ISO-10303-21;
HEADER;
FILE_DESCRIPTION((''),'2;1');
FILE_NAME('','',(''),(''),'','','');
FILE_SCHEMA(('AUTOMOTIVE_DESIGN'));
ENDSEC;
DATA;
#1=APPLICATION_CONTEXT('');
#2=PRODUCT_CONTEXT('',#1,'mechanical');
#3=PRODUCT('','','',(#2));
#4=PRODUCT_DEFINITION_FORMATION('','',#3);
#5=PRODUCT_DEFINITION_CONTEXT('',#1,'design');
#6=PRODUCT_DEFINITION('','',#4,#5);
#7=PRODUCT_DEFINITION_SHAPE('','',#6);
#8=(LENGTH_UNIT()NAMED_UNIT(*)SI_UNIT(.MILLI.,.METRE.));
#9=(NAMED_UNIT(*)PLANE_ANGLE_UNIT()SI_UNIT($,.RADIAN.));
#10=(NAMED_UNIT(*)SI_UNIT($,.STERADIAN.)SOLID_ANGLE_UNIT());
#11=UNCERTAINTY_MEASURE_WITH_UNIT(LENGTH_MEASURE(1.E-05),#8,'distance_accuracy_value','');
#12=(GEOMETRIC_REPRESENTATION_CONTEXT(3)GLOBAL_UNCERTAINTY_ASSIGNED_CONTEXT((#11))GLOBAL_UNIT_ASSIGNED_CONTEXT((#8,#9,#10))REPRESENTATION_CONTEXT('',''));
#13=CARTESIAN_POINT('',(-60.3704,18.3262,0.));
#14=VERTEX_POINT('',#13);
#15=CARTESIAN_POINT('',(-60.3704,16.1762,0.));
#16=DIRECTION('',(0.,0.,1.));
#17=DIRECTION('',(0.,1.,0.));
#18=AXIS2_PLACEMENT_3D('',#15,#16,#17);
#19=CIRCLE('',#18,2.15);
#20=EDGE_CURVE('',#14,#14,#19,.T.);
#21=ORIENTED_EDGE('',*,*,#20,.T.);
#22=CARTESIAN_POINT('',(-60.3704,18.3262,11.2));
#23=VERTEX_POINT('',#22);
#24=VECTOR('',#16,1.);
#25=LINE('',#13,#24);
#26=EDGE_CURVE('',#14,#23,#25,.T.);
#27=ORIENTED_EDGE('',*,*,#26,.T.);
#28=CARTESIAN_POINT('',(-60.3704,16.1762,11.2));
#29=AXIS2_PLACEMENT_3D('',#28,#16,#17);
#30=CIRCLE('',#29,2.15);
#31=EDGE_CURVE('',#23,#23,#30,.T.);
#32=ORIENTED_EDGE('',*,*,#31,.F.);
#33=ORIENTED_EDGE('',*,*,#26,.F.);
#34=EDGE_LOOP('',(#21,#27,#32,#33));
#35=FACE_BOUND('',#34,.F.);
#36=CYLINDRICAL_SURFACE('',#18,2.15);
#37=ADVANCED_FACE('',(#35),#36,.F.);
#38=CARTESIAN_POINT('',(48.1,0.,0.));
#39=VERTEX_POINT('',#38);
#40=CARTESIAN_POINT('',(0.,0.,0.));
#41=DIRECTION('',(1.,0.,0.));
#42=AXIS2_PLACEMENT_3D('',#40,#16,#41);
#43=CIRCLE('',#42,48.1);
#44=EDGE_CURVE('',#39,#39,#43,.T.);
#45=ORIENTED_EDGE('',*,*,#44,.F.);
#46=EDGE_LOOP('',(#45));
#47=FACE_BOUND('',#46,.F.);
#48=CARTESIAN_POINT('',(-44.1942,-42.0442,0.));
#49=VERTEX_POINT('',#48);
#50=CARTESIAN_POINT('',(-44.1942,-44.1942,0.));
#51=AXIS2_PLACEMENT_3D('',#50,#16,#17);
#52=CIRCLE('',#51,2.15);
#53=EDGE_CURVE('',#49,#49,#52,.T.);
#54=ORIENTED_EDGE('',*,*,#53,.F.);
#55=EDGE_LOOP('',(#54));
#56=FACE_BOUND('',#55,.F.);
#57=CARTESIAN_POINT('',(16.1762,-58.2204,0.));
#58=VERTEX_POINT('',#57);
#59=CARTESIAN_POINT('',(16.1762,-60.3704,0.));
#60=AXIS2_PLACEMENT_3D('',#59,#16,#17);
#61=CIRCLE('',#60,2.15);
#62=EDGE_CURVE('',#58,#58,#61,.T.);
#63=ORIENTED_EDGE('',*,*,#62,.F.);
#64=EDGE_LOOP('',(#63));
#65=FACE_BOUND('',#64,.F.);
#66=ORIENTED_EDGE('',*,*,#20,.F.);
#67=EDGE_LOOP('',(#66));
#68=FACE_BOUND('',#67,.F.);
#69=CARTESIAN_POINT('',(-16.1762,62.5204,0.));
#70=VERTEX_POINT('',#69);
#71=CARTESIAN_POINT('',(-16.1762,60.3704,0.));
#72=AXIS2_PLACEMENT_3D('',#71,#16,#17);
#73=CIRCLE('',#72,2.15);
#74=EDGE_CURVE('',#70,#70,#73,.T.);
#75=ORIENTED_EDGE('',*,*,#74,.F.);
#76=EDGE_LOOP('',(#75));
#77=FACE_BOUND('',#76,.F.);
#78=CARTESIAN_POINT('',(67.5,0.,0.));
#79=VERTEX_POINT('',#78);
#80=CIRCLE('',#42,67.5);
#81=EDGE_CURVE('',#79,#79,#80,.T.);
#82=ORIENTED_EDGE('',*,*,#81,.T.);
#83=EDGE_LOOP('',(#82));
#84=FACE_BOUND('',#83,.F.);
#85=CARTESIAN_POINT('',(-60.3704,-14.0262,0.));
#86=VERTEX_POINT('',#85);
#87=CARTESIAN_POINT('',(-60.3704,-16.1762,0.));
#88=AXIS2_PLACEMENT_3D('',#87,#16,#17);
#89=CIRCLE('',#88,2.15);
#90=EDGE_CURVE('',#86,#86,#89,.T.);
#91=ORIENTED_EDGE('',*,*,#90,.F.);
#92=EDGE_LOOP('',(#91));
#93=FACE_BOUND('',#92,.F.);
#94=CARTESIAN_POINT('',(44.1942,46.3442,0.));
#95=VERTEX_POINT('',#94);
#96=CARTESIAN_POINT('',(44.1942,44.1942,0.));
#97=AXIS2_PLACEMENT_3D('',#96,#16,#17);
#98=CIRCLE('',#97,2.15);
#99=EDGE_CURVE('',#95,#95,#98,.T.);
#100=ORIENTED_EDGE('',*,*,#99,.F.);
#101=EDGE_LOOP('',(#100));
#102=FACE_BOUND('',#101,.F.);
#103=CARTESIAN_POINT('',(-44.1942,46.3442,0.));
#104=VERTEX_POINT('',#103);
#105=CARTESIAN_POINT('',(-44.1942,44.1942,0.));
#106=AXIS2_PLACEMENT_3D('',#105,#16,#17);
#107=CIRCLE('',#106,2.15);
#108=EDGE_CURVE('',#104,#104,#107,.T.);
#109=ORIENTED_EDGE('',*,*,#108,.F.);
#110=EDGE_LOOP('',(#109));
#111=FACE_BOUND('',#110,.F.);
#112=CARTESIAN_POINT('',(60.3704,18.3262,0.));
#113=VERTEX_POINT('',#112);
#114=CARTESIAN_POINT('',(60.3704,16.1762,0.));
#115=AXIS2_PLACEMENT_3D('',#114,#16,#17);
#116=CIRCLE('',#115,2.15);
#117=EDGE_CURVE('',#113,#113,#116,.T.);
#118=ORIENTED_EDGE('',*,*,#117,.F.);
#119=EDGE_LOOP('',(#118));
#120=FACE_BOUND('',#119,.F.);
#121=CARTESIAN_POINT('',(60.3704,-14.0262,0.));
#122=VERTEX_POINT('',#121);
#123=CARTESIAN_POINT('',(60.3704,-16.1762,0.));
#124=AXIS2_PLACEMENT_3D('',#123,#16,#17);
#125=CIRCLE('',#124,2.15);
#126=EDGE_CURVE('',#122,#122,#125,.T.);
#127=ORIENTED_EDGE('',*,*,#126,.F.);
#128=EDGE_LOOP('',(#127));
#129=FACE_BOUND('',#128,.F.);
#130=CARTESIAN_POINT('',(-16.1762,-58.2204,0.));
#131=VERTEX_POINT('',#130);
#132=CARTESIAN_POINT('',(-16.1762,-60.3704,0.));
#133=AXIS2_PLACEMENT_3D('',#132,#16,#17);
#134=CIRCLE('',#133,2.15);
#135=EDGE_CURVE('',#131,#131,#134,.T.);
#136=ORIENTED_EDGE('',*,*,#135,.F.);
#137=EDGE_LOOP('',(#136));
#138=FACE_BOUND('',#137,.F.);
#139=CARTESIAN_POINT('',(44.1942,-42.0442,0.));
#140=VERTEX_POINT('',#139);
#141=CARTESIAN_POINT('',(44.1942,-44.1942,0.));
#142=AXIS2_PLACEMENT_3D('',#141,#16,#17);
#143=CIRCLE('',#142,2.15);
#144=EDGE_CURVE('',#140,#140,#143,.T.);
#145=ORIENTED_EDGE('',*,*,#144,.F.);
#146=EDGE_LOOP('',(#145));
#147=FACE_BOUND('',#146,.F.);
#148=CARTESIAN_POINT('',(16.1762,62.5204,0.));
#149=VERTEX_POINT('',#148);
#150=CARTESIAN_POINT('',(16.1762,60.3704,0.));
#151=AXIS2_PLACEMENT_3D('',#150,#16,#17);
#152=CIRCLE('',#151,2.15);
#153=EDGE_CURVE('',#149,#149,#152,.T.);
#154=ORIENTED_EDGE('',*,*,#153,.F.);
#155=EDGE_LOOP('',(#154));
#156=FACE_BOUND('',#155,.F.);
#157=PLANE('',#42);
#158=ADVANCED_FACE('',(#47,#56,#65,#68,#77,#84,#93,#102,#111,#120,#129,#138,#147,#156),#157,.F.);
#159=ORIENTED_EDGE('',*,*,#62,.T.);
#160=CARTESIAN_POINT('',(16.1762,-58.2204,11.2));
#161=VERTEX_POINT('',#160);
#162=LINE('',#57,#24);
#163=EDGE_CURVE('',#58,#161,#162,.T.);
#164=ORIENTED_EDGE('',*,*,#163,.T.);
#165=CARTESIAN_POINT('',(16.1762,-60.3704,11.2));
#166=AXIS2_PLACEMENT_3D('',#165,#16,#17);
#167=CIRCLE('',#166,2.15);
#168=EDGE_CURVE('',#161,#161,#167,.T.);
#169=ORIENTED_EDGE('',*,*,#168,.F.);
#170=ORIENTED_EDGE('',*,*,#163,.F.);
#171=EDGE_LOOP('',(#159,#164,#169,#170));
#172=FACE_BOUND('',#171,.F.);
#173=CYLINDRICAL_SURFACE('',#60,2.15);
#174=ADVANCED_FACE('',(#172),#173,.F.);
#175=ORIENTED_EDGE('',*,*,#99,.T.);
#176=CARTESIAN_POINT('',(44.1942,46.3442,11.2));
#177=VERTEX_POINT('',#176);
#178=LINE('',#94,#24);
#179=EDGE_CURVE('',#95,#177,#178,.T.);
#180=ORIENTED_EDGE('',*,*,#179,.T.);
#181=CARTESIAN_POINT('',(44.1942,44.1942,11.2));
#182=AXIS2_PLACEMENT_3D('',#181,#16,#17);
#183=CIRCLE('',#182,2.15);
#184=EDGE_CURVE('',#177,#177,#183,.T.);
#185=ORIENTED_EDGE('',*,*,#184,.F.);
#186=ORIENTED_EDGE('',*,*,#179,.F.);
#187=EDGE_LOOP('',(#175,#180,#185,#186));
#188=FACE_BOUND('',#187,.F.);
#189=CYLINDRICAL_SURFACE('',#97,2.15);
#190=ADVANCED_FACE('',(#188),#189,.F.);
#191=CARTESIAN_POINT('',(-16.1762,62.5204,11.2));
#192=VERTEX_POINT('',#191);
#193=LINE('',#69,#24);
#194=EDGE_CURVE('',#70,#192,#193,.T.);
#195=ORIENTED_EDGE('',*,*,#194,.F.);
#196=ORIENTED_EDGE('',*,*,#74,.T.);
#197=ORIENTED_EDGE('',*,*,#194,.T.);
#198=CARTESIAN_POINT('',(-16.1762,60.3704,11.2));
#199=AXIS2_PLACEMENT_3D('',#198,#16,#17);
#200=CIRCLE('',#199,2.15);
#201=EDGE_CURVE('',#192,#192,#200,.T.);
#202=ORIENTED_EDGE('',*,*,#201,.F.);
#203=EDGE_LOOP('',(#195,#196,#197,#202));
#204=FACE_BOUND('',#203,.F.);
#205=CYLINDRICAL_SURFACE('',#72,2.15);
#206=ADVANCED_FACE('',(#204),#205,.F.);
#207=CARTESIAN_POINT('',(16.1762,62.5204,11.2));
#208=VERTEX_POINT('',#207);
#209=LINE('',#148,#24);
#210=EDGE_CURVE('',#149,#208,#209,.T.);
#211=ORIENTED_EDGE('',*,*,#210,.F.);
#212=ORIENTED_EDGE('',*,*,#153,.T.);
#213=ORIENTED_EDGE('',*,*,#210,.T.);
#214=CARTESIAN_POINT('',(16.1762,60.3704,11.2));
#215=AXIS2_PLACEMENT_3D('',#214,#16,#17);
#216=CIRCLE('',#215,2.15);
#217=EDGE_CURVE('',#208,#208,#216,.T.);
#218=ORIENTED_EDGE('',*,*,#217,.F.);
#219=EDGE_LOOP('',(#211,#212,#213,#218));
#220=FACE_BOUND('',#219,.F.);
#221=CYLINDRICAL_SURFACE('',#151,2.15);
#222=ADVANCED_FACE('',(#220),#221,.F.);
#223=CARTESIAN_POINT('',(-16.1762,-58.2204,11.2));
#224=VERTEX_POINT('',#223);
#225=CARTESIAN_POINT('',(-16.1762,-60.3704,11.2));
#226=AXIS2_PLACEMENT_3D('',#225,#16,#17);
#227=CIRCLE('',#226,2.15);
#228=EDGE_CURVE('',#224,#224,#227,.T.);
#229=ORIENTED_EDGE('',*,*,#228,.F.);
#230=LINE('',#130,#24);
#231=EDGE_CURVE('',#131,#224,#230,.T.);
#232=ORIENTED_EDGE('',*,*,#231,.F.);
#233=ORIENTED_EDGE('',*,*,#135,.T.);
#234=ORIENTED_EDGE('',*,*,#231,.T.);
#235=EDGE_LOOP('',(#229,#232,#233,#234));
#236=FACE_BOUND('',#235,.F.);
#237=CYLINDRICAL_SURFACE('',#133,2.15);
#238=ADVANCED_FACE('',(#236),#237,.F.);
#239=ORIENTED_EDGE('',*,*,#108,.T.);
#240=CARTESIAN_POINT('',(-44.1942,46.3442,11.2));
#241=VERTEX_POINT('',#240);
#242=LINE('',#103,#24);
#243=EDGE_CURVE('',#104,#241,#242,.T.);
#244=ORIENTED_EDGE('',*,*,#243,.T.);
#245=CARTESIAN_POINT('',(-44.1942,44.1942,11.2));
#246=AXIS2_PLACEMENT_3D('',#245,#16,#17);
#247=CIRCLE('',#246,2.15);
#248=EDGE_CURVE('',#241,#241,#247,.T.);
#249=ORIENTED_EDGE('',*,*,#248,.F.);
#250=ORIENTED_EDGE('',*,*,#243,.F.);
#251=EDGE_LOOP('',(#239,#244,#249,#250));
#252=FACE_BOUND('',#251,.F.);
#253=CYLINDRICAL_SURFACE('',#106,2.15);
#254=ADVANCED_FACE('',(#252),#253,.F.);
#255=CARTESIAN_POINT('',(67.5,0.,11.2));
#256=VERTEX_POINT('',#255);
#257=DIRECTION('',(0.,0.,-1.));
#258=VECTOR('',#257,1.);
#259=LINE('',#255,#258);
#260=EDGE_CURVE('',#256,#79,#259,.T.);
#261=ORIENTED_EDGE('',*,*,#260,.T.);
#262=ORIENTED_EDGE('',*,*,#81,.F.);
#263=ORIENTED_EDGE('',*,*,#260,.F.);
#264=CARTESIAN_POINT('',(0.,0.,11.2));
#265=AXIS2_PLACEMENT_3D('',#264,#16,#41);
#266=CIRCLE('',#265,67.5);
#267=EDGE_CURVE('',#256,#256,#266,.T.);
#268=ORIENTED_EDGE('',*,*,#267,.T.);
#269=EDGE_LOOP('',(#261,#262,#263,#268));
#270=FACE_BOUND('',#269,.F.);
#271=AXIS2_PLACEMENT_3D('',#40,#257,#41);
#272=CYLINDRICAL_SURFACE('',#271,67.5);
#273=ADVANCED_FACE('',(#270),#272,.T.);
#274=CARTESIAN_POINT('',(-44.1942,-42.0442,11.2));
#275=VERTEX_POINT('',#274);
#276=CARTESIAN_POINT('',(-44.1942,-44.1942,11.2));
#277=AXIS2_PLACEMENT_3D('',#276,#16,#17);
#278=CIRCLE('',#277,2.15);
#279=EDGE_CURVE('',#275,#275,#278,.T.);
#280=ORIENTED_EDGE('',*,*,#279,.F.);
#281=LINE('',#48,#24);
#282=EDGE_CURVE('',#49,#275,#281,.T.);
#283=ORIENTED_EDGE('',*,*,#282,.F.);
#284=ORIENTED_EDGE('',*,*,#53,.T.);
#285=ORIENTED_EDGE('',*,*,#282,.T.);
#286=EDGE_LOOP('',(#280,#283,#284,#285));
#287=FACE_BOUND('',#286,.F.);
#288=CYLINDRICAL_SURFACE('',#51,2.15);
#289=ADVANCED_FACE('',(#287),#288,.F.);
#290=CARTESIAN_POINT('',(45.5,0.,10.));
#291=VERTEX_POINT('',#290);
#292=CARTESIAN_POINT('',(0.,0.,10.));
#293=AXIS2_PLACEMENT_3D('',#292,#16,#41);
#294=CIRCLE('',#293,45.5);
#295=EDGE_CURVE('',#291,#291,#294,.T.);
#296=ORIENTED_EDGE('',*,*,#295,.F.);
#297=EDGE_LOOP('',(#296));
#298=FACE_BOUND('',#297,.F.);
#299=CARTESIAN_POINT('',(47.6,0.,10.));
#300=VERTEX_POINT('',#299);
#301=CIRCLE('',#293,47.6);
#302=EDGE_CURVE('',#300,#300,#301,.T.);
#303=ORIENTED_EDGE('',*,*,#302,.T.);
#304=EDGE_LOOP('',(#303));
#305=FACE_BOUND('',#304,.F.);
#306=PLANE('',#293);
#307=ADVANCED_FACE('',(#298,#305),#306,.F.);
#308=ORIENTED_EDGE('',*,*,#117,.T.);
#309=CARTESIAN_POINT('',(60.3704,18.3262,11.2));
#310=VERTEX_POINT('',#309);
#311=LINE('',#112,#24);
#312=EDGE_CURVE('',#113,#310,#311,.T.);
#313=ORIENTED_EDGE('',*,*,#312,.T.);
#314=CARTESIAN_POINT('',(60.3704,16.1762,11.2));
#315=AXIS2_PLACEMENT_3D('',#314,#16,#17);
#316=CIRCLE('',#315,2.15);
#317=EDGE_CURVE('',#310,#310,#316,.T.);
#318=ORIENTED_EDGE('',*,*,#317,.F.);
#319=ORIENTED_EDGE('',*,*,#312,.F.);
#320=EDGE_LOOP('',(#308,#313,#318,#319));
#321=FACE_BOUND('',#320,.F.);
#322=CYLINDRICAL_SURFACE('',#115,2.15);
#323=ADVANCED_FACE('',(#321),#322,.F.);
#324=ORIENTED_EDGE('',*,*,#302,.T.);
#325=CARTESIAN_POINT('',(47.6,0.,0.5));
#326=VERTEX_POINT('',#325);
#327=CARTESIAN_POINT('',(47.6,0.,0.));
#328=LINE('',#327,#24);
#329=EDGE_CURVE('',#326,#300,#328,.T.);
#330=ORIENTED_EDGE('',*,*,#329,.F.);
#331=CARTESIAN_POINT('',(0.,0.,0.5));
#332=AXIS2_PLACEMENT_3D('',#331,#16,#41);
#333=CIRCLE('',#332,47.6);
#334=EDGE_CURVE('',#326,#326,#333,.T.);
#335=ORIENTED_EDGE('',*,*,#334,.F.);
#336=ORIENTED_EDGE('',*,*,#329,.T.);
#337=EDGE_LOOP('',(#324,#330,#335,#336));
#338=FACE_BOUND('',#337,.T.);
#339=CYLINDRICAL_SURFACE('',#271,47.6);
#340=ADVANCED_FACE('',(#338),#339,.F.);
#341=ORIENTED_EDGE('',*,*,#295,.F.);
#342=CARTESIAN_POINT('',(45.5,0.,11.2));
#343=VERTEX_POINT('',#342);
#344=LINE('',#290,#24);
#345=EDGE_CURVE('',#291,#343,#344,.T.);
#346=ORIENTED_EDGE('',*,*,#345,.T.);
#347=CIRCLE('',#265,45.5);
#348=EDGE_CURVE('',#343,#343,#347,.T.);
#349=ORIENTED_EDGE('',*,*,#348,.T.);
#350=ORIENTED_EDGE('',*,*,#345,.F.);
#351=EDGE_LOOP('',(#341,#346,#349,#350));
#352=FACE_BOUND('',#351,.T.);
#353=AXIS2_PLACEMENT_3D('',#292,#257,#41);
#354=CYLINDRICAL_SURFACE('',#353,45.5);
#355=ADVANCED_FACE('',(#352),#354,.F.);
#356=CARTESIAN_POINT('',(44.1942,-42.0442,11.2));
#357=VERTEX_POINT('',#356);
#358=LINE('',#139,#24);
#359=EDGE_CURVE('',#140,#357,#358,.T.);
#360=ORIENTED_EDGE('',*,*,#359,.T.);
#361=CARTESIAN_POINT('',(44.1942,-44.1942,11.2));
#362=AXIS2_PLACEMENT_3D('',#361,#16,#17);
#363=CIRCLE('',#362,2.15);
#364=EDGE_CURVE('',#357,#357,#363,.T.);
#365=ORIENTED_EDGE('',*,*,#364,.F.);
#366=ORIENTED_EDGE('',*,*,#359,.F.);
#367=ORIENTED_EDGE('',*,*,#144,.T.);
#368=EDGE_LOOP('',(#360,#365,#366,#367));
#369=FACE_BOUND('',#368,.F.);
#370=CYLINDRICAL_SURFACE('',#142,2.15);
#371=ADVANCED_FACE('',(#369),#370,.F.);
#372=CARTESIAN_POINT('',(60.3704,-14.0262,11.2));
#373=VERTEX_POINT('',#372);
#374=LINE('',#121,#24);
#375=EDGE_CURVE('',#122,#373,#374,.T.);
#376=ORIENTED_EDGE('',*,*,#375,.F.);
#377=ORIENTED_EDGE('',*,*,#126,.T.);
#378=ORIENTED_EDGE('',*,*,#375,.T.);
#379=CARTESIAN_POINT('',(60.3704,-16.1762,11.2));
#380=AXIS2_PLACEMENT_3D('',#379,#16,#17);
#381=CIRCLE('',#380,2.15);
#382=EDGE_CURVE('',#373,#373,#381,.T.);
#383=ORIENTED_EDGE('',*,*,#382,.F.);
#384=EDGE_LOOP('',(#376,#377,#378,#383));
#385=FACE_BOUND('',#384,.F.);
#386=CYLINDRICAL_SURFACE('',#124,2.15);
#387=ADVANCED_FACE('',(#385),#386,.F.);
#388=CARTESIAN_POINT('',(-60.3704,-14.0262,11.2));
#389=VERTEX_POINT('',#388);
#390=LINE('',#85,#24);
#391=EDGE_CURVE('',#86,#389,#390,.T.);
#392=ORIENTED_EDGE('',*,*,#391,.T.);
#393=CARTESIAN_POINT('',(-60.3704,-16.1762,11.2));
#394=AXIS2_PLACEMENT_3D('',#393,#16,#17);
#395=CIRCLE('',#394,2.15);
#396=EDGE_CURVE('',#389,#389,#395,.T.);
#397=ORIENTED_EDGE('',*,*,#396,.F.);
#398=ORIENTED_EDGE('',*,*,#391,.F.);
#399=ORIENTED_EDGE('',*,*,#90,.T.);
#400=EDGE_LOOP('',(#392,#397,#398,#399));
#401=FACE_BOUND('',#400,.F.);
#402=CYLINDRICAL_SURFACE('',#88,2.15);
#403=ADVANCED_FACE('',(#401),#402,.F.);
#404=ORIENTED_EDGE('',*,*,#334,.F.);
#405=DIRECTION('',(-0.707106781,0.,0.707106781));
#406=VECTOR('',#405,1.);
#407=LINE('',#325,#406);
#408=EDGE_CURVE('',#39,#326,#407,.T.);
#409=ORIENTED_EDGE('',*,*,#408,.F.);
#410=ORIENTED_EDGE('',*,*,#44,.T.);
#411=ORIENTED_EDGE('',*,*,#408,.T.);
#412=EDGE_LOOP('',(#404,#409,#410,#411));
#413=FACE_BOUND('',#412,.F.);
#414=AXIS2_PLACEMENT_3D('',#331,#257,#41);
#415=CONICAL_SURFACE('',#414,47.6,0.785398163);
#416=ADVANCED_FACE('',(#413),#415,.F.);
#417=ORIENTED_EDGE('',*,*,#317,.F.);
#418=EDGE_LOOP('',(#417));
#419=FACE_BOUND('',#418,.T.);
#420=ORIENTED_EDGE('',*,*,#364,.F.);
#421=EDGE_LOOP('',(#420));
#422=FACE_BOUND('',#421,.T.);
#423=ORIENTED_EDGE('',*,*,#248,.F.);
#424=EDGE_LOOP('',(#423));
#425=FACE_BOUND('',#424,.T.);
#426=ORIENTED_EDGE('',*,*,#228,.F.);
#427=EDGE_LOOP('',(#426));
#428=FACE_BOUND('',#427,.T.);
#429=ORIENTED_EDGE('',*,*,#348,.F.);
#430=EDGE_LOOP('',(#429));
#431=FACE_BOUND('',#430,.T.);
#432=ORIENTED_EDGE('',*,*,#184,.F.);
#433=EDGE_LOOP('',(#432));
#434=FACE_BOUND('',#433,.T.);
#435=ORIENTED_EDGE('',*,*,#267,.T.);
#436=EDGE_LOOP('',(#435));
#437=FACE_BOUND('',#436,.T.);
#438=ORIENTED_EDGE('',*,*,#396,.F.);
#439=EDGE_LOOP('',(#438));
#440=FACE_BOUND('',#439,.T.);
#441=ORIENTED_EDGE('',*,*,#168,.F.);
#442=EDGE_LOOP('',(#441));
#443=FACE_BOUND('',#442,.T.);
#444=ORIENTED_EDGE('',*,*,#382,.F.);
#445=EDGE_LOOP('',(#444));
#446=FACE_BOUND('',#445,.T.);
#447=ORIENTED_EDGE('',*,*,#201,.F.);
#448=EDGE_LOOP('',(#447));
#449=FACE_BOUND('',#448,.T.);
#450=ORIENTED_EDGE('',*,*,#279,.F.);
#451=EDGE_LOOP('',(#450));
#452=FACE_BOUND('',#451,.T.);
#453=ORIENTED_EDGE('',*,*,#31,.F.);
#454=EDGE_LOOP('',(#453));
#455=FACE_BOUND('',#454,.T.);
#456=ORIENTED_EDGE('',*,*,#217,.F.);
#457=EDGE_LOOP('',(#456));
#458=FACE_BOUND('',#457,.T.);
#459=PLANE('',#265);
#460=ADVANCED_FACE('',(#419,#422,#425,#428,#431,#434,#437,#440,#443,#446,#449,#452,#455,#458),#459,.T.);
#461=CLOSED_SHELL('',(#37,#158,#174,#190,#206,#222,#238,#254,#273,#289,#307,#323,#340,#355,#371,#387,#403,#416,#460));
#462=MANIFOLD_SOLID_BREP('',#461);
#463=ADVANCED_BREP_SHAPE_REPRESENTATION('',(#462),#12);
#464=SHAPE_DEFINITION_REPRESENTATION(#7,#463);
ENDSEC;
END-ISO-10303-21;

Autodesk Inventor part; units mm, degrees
ref_plane "YZ Plane" through (0, 0, 0) normal (1, 0, 0) x (0, 1, 0)
ref_plane "XZ Plane" through (0, 0, 0) normal (0, 1, 0) x (-1, 0, 0)
ref_plane "XY Plane" through (0, 0, 0) normal (0, 0, 1) x (1, 0, 0)
sketch "スケッチ1" plane through (0, 0, 0) normal (0, 0, 1) x (1, 0, 0)
  circle A0 centre (0, 0) radius 47.6
  circle A1 centre (0, 0) radius 67.5
  dimension "d0" = 95.2
  dimension "d1" = 135
extrude "押し出し1" add sketch "スケッチ1" along normal blind 10
sketch "スケッチ5" plane through (0, 0, 10) normal (0, 0, 1) x (1, 0, 0)
  circle A0 centre (0, 0) radius 67.5 projected
  circle A1 centre (0, 0) radius 47.6 projected
  circle A2 centre (0, 0) radius 45.5
  dimension "d29" = 91
extrude "押し出し4" add sketch "スケッチ5" along normal blind 1.2 contours A0 | A1
sketch "スケッチ2" plane through (0, 0, 0) normal (0, 0, 1) x (1, 0, 0)
  circle A0 centre (0, 0) radius 62.5
  point P0 (16.1762, 60.3704)
  point P1 (-16.1762, 60.3704)
  point P2 (-44.1942, 44.1942)
  point P3 (-60.3704, 16.1762)
  point P4 (-60.3704, -16.1762)
  point P5 (-44.1942, -44.1942)
  point P6 (-16.1762, -60.3704)
  point P7 (16.1762, -60.3704)
  point P8 (44.1942, -44.1942)
  point P9 (60.3704, -16.1762)
  point P10 (60.3704, 16.1762)
  point P11 (44.1942, 44.1942)
  dimension "d4" = 125
  dimension "d7" = 360
  dimension "d25" = 0
hole "穴1" at (16.1762, 60.3704, 0) at (-16.1762, 60.3704, 0) at (-44.1942, 44.1942, 0) at (-60.3704, 16.1762, 0) at (-60.3704, -16.1762, 0) at (-44.1942, -44.1942, 0) at (-16.1762, -60.3704, 0) at (16.1762, -60.3704, 0) at (44.1942, -44.1942, 0) at (60.3704, -16.1762, 0) at (60.3704, 16.1762, 0) at (44.1942, 44.1942, 0) direction (0, 0, 1) diameter 4.3 end through all clearance for "Flat Head Machine Screw" size "M4" standard "Ansi Metric M Profile"
chamfer "面取り2" distance 0.5 angle 45 1 edges at (-47.6, 0, 0)
sketch "スケッチ3" plane through (0, 0, 10) normal (0, 0, 1) x (1, 0, 0)
  circle A0 centre (16.1762, 60.3704) radius 2.15 projected
  circle A1 centre (-16.1762, 60.3704) radius 2.15 projected
  circle A2 centre (0, 0) radius 67.5 projected
  circle A3 centre (0, 0) radius 62.5
  circle A4 centre (-16.1762, 60.3704) radius 5
  circle A5 centre (16.1762, 60.3704) radius 5
  point P0 (11.2987, 61.4702)
  point P1 (17.4703, 65.2)
  point P2 (-17.4703, 65.2)
  point P3 (-20.9502, 58.8841)
properties part number "scara-base3" material "ABS プラスチック"
